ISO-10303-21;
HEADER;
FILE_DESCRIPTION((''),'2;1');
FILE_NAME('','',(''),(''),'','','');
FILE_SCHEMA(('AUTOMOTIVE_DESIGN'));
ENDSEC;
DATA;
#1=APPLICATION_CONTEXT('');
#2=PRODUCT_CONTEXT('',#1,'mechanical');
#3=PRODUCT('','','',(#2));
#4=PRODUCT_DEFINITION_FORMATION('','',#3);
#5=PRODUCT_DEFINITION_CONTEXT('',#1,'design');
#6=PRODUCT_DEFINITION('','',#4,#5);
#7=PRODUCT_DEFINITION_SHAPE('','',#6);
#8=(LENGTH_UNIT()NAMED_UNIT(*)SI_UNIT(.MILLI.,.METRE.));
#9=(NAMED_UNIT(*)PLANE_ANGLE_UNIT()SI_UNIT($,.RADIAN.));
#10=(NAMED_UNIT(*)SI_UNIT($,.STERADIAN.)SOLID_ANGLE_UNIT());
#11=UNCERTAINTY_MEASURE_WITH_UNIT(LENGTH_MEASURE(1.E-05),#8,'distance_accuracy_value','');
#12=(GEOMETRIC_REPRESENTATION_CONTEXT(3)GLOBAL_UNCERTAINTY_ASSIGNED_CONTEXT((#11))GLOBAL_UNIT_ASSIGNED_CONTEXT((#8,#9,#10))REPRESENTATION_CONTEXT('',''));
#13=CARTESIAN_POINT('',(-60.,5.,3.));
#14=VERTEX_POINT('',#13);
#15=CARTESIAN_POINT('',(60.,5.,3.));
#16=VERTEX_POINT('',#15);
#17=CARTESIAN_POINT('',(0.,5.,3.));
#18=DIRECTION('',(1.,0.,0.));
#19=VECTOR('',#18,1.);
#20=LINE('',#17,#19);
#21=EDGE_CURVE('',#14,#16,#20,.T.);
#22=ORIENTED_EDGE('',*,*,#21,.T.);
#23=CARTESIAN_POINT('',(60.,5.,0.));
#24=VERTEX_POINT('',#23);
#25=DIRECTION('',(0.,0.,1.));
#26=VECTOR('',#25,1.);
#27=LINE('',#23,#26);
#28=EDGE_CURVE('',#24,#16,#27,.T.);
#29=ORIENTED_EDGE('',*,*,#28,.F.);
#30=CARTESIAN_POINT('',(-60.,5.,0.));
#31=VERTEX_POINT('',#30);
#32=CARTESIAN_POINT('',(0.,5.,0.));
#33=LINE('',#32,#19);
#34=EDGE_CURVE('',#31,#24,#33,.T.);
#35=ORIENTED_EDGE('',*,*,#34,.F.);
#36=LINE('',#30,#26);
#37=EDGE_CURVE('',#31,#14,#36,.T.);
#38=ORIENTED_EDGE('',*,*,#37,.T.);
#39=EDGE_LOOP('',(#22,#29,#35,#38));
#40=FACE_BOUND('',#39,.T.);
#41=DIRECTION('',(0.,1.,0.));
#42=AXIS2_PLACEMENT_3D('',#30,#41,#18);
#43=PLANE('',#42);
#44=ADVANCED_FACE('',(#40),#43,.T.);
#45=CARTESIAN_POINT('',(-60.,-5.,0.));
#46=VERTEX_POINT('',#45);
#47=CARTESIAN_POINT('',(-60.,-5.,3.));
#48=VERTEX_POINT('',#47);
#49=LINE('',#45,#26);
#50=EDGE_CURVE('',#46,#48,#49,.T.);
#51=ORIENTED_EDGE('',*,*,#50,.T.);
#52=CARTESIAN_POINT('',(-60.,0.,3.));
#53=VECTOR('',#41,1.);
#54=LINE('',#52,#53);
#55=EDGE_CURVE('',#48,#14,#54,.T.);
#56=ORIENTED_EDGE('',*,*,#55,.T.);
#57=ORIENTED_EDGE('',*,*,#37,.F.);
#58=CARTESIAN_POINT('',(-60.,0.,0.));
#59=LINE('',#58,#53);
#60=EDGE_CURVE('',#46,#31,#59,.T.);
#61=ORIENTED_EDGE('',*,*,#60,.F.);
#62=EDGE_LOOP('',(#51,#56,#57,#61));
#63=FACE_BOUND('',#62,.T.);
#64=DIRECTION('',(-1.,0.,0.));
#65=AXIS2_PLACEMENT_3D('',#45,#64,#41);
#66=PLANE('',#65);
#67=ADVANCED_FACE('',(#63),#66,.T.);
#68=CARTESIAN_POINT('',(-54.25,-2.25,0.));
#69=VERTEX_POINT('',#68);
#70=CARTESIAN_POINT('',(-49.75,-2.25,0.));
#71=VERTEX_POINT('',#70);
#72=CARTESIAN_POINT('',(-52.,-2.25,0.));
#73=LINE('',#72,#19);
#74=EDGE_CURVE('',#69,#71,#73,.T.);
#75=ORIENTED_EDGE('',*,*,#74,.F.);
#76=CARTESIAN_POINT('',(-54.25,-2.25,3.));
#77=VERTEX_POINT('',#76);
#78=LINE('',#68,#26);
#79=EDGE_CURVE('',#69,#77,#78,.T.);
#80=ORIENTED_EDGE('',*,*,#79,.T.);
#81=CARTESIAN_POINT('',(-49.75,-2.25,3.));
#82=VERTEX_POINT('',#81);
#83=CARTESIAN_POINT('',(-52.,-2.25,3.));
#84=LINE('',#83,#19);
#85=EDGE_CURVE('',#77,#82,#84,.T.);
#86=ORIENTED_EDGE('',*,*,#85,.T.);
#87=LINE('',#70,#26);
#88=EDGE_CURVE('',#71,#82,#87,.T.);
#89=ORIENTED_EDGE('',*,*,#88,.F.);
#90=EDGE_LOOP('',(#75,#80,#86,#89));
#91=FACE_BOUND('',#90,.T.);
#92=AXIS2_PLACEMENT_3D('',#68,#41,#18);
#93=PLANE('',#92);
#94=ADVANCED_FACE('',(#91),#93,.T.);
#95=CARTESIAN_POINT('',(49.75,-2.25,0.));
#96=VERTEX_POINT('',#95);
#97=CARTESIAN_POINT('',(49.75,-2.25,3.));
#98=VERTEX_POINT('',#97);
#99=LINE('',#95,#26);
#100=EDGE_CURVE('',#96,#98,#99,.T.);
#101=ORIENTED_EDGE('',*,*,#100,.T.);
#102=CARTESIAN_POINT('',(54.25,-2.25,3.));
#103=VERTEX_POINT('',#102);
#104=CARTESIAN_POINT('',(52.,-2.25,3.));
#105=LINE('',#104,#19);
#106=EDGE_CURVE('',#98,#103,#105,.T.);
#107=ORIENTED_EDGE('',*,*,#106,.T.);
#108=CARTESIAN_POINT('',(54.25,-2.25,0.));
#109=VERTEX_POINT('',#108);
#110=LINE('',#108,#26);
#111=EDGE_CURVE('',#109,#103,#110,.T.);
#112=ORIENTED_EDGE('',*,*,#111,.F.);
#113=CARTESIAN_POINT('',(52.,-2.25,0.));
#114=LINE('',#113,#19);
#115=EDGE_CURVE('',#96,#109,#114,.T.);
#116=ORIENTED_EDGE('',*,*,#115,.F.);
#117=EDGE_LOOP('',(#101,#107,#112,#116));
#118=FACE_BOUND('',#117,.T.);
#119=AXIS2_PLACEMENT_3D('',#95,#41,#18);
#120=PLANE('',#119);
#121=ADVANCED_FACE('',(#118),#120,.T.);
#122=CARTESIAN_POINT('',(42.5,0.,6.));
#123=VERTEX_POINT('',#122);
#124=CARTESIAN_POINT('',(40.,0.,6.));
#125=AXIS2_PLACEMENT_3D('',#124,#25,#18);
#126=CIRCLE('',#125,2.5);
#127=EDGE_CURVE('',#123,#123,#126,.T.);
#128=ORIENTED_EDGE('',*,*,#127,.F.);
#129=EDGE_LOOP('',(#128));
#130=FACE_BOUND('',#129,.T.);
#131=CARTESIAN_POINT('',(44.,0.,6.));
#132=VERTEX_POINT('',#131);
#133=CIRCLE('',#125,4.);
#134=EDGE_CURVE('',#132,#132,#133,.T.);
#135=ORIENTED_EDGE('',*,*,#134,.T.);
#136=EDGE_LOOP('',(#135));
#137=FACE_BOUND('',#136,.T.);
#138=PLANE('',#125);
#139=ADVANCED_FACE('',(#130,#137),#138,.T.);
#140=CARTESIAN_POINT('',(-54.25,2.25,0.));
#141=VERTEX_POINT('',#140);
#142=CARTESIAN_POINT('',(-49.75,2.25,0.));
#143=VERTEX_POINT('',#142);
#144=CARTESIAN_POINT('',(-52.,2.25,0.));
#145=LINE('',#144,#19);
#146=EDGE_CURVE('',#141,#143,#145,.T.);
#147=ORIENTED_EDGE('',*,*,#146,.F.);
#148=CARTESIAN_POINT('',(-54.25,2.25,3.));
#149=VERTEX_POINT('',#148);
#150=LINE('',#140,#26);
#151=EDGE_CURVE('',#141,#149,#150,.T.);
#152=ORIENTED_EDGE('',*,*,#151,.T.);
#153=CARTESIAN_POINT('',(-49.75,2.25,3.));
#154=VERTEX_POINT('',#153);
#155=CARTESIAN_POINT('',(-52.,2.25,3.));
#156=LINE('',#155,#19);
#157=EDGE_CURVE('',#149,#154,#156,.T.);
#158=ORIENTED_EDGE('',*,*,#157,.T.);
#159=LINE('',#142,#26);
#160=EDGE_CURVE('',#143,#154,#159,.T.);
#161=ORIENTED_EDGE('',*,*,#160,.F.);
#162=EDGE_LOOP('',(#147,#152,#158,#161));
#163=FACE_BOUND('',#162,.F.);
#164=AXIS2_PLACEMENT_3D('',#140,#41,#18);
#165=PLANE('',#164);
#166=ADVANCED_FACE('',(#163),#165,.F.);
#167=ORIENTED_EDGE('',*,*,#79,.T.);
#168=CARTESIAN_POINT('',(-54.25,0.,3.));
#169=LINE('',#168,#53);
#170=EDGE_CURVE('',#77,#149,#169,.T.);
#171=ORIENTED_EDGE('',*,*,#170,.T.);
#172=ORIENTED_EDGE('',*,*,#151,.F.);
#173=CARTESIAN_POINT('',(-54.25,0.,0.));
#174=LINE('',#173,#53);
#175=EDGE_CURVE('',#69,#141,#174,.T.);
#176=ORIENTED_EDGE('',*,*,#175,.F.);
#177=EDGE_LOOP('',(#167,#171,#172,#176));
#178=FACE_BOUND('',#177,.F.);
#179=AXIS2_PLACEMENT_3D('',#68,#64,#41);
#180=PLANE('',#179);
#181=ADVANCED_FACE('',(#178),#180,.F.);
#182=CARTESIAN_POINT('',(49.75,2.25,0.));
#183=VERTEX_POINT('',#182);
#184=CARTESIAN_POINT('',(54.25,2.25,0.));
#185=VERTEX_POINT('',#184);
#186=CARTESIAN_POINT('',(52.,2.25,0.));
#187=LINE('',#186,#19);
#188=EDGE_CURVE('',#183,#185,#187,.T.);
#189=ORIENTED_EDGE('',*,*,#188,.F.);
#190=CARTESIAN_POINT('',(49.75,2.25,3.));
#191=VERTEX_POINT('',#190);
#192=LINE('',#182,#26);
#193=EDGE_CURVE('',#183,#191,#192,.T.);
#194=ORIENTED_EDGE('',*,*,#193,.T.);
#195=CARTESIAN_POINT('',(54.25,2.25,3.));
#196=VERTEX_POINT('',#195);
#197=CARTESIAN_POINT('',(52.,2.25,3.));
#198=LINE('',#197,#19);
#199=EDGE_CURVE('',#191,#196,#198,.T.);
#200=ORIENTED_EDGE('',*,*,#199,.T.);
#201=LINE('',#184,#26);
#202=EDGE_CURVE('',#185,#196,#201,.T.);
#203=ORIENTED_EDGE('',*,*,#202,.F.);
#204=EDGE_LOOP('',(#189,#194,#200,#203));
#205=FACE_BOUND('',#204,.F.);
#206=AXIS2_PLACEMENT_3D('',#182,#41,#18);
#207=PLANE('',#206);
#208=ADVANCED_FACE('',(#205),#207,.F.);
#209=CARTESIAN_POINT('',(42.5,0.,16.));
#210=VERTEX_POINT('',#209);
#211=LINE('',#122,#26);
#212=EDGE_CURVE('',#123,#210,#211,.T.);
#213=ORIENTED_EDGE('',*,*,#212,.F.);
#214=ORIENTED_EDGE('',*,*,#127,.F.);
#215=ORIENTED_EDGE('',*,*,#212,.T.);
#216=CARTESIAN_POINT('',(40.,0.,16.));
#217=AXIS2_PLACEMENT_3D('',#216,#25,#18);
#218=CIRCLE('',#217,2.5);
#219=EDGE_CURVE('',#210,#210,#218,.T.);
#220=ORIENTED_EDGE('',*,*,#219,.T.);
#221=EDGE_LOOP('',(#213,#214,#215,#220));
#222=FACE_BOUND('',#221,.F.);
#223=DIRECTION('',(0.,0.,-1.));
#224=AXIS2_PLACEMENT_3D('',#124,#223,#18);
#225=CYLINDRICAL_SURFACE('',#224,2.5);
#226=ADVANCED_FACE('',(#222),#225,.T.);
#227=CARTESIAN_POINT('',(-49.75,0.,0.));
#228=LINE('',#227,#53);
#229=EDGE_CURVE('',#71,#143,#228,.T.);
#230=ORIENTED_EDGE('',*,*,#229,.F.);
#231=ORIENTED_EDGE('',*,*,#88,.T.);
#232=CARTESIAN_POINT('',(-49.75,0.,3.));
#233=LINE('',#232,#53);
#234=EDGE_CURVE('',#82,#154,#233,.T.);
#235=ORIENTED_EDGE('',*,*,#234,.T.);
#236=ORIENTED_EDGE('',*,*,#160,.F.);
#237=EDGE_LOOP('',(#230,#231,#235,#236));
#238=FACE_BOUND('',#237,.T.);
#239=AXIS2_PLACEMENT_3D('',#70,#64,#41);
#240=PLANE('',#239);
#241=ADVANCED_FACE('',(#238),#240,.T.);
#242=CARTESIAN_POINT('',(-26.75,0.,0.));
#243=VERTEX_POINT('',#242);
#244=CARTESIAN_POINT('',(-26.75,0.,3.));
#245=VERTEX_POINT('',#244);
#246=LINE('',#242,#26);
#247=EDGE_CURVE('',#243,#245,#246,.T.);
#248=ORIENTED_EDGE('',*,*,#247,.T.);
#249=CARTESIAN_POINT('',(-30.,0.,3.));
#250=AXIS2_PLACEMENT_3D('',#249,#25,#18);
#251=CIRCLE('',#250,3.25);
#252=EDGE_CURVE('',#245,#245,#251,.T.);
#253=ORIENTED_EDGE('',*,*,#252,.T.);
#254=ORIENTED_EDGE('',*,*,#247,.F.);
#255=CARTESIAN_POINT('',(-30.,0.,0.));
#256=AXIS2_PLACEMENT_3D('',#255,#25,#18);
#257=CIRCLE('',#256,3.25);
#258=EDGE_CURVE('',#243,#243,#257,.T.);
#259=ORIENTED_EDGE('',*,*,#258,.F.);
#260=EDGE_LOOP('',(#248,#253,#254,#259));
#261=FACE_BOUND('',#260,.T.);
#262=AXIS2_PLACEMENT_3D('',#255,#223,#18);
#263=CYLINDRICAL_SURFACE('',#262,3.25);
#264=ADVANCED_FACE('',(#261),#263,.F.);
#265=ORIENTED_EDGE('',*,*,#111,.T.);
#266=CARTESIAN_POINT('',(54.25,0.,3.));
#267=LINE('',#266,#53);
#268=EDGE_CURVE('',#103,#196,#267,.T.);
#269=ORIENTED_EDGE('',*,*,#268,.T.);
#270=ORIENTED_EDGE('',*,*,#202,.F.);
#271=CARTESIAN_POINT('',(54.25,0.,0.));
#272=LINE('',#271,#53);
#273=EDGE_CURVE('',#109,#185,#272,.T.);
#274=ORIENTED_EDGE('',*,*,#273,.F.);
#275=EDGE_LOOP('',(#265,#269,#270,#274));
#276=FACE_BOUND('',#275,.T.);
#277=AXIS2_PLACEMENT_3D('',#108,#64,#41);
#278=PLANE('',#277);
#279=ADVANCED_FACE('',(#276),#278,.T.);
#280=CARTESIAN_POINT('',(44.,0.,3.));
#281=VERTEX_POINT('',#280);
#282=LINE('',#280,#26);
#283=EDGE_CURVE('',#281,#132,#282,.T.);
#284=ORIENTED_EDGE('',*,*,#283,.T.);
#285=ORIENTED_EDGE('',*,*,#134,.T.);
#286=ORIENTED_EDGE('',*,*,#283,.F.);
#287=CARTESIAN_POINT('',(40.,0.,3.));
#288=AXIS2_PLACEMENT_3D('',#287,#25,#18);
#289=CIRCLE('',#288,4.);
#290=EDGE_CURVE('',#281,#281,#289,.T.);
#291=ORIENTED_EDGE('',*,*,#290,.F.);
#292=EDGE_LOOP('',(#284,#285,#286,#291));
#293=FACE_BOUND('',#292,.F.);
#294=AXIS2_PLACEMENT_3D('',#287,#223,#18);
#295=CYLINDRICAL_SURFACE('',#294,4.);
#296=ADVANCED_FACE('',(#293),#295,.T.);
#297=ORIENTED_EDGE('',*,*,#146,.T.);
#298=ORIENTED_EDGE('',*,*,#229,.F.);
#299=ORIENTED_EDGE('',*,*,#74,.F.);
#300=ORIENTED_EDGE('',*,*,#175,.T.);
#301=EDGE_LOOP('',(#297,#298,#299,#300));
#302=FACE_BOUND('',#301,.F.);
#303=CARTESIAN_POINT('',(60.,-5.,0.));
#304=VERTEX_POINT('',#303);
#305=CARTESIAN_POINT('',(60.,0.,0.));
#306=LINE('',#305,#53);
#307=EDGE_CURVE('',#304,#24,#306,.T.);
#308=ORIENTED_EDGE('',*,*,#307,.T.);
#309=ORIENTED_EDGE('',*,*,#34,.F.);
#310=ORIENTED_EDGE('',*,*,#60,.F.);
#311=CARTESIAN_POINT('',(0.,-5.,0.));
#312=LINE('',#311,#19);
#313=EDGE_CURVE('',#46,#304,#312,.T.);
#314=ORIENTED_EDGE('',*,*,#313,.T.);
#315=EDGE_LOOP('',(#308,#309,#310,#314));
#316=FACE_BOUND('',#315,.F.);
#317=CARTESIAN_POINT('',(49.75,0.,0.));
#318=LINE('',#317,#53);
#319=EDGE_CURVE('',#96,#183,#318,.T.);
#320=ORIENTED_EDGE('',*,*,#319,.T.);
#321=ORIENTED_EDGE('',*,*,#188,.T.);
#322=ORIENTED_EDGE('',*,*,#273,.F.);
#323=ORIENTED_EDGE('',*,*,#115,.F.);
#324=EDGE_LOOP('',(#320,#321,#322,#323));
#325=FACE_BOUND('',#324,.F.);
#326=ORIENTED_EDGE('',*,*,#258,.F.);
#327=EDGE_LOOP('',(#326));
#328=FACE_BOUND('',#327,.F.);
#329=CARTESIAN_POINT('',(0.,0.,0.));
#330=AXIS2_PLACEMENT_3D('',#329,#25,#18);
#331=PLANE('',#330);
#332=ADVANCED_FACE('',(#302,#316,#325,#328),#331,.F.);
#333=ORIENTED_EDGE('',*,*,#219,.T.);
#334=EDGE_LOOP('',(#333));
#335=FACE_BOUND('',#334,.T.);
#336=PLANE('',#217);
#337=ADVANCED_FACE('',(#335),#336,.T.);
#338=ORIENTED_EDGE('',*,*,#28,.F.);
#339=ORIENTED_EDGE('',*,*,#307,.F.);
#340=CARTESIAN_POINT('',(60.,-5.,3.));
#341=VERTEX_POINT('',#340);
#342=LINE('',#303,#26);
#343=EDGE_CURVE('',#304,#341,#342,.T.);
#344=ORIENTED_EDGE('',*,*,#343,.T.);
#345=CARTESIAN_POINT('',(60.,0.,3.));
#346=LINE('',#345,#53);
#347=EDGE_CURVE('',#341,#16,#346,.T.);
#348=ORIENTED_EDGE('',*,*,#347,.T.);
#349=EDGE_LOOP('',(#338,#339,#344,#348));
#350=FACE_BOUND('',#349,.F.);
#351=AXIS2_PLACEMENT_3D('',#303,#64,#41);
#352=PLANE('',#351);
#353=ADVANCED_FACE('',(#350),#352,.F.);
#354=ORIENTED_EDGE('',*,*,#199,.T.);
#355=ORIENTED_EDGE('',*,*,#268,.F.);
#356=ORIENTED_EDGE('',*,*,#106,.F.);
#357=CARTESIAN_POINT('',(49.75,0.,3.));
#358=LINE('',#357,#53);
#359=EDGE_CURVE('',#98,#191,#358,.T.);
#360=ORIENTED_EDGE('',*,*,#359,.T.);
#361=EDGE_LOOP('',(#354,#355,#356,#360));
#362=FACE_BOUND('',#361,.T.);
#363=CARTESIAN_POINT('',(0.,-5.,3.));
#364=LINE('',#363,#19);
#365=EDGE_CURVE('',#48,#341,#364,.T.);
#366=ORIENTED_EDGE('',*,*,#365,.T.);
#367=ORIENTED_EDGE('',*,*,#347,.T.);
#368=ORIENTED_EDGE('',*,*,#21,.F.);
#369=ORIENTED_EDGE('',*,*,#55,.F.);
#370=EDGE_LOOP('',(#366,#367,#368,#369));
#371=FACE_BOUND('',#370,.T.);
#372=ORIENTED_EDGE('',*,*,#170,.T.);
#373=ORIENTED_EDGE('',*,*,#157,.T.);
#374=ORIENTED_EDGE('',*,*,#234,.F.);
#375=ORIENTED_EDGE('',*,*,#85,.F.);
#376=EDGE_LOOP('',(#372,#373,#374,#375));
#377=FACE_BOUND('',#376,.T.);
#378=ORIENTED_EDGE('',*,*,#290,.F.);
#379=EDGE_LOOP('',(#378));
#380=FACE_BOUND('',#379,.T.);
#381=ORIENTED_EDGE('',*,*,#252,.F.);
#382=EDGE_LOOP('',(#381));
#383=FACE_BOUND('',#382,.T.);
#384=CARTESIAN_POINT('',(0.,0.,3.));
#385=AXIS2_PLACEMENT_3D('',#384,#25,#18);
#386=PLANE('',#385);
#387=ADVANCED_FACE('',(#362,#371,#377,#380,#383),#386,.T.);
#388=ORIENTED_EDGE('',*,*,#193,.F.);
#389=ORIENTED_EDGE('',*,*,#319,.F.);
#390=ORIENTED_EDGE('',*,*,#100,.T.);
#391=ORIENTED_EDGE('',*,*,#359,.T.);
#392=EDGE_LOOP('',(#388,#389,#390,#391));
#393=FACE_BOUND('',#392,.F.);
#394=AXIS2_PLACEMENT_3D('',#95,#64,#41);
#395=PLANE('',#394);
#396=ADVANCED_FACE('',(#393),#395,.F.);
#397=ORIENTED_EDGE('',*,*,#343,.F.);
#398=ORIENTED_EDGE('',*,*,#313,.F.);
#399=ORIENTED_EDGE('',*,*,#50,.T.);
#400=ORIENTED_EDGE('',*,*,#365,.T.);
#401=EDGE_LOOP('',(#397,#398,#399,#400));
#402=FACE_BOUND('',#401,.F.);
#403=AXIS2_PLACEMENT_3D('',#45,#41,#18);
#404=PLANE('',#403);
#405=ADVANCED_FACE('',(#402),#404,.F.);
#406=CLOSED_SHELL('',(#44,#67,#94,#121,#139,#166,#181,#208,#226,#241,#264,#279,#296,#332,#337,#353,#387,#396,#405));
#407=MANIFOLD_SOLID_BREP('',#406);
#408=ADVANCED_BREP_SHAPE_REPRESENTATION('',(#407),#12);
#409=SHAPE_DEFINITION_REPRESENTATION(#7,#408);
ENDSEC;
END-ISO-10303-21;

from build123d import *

# Parameters (mm, degrees)
F0_W     = 120
F0_H     = 10
F0_W_2   = 4.5
F0_H_2   = 4.5
F0_R     = 3.25
F1_DEPTH = 3
F2_R     = 4
F3_DEPTH = 3
F4_R     = 2.5
F5_DEPTH = 10


with BuildPart() as f1:
    # F0 (on Top) → F1 (new body)
    with BuildSketch(Plane.XY):
        Rectangle(F0_W, F0_H)
        with Locations((-52, 0)):
            Rectangle(F0_W_2, F0_H_2, mode=Mode.SUBTRACT)
        with Locations((-30, 0)):
            Circle(F0_R, mode=Mode.SUBTRACT)
        with Locations((52, 0)):
            Rectangle(F0_W_2, F0_H_2, mode=Mode.SUBTRACT)
    extrude(amount=F1_DEPTH)

    # F2 (on face) → F3 (join)
    with BuildSketch(Plane.XY.offset(3)):
        with Locations((40, 0)):
            Circle(F2_R)
    extrude(amount=F3_DEPTH)

    # F4 (on face) → F5 (join)
    with BuildSketch(Plane.XY.offset(6)):
        with Locations((40, 0)):
            Circle(F4_R)
    extrude(amount=F5_DEPTH)


solid = f1.part
